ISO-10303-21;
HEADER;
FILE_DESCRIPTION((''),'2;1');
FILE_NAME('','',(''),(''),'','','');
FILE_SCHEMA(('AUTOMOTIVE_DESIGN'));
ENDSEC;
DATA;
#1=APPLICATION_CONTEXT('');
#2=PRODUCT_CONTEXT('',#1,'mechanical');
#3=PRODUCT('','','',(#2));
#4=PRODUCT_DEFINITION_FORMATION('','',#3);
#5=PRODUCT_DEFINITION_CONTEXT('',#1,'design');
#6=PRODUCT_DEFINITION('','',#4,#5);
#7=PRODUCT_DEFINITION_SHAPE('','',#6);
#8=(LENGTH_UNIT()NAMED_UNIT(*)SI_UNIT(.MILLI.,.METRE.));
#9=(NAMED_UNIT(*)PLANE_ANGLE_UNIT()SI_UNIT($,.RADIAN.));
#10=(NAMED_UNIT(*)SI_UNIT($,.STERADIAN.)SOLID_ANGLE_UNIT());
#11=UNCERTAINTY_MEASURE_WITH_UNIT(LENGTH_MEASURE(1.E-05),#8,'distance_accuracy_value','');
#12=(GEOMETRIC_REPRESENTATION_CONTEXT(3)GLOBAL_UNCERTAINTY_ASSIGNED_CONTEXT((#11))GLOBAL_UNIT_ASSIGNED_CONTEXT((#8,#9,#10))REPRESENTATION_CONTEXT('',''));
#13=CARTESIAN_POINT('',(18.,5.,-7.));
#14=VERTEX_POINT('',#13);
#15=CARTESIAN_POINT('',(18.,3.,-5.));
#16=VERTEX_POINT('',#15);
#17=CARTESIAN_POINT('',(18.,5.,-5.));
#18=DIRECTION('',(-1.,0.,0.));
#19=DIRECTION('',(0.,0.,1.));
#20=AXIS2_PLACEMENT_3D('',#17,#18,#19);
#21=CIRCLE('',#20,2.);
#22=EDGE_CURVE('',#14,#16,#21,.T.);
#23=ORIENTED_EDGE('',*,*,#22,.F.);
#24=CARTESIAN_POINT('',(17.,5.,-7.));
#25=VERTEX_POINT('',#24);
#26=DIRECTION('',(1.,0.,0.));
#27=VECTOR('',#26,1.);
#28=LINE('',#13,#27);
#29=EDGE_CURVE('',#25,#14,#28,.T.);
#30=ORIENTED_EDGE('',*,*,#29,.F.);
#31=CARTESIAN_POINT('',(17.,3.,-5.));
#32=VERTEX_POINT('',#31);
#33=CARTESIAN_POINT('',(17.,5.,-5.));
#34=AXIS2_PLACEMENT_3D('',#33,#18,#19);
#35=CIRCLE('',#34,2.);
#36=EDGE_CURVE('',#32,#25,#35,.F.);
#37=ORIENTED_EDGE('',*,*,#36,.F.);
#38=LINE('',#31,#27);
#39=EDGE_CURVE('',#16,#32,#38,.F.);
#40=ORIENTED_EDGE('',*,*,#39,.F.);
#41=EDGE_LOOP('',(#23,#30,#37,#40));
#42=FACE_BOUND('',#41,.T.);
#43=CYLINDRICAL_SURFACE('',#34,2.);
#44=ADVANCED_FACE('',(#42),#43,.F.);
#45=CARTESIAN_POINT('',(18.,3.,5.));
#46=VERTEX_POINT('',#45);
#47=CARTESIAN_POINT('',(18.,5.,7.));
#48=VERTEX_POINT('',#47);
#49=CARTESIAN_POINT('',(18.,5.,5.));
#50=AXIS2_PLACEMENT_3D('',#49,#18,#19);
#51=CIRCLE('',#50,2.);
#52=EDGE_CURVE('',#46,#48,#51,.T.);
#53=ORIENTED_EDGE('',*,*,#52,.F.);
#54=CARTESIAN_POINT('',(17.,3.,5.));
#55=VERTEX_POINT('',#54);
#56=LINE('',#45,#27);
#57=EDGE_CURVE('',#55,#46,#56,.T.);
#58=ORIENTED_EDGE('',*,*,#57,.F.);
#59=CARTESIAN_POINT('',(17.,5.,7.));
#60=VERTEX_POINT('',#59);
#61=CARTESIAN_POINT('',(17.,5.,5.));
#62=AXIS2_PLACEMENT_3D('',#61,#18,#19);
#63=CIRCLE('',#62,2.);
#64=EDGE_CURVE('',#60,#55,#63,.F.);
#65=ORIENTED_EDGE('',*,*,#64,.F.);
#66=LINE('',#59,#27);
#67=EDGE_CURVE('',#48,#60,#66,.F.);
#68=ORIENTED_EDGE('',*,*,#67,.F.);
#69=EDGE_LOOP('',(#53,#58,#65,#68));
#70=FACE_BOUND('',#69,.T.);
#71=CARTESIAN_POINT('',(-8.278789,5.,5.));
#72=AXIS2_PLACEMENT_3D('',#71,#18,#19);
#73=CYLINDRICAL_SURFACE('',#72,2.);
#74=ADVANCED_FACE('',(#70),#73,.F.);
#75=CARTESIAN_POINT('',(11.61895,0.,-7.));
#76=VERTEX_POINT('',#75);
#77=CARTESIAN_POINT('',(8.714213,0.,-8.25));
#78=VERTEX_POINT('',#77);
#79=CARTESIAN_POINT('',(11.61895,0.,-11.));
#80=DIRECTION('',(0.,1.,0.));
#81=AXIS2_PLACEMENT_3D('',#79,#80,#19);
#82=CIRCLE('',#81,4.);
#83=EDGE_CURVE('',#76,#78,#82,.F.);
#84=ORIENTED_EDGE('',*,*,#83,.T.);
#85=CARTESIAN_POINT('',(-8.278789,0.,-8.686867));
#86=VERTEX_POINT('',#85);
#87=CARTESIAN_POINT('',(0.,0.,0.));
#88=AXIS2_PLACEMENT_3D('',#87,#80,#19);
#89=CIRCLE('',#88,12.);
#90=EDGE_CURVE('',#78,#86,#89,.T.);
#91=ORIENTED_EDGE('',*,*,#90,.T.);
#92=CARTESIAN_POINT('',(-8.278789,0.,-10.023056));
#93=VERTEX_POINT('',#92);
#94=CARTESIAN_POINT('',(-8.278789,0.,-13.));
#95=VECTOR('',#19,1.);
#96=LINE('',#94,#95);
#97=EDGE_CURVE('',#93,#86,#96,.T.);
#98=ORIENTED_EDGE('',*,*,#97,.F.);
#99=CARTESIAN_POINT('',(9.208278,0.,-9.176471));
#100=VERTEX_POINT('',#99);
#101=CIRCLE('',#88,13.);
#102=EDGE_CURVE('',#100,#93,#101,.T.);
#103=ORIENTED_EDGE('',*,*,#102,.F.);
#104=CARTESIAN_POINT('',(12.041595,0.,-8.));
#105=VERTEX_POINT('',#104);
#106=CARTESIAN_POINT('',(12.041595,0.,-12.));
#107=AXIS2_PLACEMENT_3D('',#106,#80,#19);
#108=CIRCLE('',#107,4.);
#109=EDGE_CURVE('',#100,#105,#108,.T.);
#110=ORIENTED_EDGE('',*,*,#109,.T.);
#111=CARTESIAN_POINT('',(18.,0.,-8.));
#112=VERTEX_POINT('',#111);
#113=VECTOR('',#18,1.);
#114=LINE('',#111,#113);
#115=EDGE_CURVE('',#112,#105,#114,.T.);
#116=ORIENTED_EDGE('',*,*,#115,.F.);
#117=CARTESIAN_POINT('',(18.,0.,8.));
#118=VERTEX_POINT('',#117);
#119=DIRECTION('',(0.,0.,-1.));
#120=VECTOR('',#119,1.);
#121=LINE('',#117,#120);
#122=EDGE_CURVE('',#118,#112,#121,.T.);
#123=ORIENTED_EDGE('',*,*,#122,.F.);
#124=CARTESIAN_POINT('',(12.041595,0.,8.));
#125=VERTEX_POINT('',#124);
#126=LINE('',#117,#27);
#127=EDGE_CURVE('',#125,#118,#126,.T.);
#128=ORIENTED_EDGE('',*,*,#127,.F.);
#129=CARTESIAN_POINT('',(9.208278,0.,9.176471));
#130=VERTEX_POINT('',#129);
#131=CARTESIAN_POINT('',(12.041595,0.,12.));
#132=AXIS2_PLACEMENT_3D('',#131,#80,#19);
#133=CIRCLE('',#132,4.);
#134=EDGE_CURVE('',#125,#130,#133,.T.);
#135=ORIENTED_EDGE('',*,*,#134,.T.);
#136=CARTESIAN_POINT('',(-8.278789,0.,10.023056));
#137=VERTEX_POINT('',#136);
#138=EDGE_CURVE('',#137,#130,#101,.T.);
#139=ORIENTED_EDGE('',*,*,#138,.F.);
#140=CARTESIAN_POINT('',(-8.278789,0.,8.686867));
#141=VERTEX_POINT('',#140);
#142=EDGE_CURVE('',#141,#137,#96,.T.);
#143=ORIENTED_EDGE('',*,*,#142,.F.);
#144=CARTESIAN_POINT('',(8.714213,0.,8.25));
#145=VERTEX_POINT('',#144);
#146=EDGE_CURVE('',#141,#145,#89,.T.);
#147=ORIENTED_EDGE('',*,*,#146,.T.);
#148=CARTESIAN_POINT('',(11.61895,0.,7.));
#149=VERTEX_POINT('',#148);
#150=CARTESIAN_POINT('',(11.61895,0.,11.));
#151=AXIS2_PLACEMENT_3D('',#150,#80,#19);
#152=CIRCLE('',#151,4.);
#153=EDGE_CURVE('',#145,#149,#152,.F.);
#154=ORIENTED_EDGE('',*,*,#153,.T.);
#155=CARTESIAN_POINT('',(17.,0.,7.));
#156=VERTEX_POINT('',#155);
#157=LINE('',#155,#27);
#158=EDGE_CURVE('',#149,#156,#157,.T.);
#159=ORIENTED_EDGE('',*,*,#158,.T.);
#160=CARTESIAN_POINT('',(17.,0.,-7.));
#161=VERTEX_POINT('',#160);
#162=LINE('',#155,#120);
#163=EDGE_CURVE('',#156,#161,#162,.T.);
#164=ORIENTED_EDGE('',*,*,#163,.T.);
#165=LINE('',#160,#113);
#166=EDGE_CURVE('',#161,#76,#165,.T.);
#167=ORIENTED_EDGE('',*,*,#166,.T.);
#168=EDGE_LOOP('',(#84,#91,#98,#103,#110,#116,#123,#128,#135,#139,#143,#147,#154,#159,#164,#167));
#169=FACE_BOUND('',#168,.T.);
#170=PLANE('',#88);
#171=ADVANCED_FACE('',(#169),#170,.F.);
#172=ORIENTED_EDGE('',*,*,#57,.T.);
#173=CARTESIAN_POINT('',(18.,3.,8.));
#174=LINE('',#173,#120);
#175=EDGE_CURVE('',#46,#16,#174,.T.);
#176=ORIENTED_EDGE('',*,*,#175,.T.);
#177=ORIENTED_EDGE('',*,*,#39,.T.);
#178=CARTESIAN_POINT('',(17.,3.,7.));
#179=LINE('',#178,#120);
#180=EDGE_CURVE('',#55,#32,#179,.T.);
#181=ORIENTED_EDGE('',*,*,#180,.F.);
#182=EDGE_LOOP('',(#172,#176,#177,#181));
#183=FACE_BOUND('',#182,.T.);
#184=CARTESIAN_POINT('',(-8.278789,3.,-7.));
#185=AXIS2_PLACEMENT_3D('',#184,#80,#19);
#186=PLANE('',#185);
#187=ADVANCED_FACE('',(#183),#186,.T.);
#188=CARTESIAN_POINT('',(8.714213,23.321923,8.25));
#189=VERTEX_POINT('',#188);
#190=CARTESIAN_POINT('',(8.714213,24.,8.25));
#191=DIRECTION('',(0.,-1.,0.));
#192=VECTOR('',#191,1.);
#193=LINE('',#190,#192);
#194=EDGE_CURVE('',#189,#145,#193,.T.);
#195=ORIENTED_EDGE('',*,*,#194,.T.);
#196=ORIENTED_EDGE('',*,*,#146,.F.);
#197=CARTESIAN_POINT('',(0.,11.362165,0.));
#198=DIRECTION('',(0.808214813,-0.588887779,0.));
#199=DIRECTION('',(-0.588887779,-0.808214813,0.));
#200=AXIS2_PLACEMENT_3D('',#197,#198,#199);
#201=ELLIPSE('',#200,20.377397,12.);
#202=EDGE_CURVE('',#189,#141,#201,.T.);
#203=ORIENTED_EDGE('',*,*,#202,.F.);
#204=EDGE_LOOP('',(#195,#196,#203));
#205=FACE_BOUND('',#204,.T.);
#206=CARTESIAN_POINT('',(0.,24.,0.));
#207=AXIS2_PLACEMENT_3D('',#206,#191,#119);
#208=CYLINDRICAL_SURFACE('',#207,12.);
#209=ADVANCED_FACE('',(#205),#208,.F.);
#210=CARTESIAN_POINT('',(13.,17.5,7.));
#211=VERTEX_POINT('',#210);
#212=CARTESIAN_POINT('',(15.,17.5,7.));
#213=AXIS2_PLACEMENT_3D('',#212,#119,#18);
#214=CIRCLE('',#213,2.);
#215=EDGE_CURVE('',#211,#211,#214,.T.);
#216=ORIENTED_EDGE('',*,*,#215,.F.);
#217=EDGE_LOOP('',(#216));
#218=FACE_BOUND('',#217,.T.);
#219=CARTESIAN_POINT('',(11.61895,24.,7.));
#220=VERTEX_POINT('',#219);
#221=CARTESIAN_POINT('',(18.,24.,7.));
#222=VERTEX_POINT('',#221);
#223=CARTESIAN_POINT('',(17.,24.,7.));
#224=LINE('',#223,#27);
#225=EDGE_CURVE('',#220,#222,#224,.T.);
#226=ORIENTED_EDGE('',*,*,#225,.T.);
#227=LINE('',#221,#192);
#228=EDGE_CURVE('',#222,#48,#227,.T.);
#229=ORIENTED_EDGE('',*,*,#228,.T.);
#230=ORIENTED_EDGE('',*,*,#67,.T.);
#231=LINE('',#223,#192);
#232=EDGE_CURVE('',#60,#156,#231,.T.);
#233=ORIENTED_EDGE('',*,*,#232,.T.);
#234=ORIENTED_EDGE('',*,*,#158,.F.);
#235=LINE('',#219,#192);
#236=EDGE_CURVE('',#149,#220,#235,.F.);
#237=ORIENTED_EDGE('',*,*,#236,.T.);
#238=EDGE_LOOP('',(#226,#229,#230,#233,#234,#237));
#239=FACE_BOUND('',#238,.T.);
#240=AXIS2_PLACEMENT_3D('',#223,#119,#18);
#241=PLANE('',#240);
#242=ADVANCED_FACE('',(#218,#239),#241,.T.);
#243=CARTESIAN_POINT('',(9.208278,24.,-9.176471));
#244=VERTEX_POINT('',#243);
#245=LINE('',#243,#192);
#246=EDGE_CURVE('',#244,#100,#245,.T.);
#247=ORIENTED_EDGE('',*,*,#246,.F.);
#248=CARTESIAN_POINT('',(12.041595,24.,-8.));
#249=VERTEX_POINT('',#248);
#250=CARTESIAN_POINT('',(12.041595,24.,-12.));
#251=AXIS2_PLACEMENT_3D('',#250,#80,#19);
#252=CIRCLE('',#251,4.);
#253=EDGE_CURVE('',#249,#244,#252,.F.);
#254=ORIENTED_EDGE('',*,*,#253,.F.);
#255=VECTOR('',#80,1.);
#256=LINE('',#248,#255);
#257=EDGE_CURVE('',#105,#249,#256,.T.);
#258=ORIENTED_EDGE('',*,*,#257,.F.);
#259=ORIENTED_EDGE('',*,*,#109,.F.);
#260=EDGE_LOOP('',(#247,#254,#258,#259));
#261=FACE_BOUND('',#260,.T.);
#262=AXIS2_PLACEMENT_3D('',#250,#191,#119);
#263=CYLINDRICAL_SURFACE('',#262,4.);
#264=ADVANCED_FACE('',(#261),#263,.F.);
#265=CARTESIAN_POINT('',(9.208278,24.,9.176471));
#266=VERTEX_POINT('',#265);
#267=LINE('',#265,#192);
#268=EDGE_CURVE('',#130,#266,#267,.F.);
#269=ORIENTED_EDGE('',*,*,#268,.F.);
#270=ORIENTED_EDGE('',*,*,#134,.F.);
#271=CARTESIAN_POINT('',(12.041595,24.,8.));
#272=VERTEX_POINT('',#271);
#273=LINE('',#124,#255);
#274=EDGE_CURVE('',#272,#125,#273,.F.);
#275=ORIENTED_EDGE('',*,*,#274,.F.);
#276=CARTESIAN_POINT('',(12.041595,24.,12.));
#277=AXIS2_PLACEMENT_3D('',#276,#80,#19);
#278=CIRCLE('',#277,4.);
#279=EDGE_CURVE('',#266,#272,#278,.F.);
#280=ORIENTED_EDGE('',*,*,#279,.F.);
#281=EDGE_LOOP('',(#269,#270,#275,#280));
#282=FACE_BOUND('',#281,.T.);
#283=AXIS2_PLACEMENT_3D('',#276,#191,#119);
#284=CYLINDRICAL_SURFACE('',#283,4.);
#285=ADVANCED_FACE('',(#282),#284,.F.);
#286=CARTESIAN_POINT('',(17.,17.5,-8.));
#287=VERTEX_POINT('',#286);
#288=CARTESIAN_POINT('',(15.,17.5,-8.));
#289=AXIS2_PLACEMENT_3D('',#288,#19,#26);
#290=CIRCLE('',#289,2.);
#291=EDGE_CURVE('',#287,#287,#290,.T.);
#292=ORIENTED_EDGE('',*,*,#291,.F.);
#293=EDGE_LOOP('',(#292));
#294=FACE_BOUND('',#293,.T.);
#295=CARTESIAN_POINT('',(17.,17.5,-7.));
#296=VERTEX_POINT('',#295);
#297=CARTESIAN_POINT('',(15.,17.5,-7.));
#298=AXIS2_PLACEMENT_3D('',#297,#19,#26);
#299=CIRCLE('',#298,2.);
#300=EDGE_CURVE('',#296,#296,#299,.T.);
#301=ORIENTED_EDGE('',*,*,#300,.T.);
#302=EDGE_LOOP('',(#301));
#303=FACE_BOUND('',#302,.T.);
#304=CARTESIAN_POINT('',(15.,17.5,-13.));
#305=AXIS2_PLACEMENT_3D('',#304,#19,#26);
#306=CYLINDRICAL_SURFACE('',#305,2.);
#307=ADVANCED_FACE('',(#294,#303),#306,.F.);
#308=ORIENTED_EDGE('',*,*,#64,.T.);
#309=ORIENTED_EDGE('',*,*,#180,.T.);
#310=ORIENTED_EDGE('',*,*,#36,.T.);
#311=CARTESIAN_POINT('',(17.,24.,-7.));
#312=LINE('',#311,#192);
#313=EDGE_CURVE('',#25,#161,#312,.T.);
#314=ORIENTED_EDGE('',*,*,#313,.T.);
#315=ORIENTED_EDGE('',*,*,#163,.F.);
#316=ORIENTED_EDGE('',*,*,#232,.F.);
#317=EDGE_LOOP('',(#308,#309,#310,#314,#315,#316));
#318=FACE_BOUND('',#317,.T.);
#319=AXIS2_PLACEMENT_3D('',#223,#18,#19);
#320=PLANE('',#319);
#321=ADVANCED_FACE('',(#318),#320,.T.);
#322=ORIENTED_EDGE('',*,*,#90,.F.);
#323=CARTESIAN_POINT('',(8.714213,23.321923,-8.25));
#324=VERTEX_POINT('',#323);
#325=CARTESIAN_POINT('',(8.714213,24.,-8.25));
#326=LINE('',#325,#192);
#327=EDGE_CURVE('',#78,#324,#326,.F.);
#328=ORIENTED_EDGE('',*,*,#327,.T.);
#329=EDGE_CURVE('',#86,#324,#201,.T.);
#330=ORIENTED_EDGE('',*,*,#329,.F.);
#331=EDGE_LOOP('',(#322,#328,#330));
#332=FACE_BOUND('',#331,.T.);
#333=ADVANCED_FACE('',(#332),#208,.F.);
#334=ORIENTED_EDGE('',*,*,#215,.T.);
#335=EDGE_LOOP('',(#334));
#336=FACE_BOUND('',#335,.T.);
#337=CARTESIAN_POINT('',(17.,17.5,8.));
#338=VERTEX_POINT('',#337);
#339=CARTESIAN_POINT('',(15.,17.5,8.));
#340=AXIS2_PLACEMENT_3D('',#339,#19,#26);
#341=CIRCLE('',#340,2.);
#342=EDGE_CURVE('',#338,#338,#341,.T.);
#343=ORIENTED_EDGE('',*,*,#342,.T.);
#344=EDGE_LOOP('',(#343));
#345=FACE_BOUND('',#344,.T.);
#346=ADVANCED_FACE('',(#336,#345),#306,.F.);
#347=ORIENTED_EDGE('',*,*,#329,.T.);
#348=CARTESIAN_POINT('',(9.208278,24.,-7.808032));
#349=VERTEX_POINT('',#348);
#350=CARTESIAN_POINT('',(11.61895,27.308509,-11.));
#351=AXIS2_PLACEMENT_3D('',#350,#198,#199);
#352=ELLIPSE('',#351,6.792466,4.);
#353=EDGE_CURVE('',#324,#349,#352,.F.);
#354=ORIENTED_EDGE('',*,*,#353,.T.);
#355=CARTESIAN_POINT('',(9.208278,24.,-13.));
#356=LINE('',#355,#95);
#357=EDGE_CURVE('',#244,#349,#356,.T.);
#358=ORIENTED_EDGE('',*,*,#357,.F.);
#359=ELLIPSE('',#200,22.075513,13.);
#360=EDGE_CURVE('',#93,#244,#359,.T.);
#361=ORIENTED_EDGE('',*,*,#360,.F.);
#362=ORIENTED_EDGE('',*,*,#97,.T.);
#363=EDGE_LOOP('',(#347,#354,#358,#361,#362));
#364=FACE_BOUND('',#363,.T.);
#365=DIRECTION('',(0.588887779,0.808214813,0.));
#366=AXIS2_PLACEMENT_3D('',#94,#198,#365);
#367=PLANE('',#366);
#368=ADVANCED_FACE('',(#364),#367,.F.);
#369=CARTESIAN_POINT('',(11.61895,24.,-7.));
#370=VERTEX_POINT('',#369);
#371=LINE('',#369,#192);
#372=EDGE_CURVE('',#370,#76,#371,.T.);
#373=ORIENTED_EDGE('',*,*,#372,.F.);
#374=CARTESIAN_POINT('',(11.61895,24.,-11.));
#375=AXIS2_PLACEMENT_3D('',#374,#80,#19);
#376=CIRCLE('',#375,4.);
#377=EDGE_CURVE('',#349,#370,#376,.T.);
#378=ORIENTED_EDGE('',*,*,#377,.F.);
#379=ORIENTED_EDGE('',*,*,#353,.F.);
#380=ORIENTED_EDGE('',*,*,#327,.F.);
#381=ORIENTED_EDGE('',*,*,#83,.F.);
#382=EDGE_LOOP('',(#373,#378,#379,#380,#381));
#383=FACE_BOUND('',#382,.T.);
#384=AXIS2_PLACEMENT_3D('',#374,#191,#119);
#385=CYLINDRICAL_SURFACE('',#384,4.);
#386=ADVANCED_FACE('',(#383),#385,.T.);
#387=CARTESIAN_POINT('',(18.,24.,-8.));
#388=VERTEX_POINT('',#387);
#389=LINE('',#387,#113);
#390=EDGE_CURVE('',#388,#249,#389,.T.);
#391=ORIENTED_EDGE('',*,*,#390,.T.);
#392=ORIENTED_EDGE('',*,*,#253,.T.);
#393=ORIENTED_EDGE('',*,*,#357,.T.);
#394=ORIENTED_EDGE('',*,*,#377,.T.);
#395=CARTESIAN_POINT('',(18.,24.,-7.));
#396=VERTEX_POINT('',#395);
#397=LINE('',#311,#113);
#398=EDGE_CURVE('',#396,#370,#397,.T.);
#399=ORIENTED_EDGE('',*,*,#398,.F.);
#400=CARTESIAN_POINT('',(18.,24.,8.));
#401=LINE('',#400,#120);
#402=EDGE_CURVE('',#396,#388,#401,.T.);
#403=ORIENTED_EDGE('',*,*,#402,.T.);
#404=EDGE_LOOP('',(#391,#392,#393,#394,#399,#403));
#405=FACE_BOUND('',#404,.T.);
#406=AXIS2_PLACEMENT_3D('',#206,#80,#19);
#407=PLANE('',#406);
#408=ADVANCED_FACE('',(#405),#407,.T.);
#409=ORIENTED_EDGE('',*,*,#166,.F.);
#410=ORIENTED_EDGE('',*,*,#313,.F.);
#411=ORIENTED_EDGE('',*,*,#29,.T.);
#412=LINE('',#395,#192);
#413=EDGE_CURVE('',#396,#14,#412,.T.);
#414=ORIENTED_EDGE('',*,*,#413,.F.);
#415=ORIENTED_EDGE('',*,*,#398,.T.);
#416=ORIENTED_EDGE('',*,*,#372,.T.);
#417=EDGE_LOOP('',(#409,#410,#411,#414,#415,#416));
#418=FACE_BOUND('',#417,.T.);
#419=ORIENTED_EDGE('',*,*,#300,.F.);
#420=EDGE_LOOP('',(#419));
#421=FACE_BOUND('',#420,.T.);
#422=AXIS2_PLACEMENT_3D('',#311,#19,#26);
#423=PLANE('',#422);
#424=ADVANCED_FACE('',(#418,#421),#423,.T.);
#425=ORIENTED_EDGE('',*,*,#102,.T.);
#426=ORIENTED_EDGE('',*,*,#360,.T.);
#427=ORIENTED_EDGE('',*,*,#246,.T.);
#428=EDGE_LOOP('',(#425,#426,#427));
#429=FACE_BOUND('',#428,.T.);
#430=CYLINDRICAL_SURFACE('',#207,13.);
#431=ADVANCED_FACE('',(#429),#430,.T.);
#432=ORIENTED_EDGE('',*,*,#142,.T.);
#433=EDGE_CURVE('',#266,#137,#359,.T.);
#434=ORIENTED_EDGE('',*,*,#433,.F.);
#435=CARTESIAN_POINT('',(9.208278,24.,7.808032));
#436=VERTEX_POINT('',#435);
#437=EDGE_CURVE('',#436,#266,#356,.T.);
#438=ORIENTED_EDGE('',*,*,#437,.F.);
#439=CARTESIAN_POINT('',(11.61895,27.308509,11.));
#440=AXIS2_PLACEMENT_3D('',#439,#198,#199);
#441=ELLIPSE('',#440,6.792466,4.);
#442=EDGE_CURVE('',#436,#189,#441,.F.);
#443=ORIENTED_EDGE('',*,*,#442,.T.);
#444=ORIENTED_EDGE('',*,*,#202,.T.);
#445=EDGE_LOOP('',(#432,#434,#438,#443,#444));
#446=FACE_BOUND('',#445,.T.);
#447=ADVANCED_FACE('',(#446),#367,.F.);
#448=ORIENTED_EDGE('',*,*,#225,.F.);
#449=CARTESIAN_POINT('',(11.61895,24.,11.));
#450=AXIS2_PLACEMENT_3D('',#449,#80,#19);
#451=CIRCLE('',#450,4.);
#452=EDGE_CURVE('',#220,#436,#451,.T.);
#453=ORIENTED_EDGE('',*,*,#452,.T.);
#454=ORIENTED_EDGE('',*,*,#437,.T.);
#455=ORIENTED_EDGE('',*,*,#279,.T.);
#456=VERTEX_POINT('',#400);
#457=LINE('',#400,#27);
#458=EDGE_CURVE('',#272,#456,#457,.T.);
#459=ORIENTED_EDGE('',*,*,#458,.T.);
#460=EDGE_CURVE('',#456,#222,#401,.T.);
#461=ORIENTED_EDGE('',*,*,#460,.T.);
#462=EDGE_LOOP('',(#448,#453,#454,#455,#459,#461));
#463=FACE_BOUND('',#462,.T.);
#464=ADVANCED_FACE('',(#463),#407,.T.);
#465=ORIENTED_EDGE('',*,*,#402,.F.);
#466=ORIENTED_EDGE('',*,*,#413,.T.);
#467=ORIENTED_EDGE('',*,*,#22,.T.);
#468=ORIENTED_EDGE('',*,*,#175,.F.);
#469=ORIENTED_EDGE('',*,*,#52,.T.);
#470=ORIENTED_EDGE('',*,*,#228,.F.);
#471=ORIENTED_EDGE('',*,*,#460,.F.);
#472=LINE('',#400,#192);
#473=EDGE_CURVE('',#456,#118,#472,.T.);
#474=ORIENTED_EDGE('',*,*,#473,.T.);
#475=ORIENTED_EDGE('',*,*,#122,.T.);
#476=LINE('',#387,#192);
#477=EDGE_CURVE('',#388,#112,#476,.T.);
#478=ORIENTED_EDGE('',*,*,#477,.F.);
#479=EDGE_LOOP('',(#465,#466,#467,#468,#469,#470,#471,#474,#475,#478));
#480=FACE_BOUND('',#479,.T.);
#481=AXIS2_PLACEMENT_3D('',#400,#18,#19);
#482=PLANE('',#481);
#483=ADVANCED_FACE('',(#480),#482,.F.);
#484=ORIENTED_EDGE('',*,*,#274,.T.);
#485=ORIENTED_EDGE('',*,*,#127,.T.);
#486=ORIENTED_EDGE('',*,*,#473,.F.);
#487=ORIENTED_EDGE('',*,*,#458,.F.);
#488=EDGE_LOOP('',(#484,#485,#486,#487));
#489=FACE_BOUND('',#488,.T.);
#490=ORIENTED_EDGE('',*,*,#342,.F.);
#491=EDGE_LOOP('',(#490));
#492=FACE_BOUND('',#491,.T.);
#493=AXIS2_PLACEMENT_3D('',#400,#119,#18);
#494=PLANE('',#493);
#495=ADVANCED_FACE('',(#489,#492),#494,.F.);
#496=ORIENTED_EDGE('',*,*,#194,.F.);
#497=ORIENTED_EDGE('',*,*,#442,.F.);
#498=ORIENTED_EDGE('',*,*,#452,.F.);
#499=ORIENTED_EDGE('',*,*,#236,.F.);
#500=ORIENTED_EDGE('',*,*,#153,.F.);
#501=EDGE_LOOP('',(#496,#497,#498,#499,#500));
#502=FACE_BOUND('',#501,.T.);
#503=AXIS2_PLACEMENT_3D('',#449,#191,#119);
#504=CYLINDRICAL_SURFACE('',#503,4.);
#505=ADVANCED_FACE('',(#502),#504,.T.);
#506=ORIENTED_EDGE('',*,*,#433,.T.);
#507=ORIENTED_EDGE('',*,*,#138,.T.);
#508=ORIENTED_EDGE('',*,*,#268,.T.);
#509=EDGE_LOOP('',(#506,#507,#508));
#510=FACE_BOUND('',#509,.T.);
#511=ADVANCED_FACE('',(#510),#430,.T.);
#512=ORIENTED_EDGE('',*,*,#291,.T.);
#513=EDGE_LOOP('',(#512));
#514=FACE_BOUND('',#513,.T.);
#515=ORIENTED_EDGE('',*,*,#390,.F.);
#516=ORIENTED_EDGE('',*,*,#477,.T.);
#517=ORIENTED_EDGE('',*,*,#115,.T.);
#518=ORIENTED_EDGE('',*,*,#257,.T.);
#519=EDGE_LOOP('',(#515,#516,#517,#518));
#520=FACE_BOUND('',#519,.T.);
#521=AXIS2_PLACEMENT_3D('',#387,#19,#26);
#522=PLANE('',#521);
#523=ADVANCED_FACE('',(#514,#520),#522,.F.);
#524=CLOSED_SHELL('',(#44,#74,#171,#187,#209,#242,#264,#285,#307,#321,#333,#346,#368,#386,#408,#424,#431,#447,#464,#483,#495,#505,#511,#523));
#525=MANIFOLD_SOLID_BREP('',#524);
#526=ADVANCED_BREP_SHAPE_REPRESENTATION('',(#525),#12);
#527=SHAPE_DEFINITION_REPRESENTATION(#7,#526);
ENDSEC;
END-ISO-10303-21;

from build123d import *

# Parameters (mm, degrees)
BOSS_EXTRUDE1_DEPTH     = 24
FILLET1_R               = 4
CUT_EXTRUDE3_DEPTH      = 14
CUT_EXTRUDE3_DEPTH_BACK = 14
SKETCH5_R               = 2
CUT_EXTRUDE4_DEPTH      = 6
CUT_EXTRUDE4_DEPTH_BACK = 22
SKETCH7_W               = 14
SKETCH7_H               = 22.802557385
CUT_EXTRUDE5_DEPTH      = 1
CUT_EXTRUDE5_DEPTH_BACK = 27.278788925
FILLET2_R               = 2


with BuildPart() as part:
    # Sketch1 → Boss-Extrude1 (new body)
    with BuildSketch(Plane(origin=(0, 0, 0), x_dir=(1, 0, 0), z_dir=(0, 1, 0))):
        with BuildLine():
            Line((18, -8), (10.246950766, -8))
            ThreePointArc((10.246950766, -8), (-13, 0), (10.246950766, 8))
            Line((10.246950766, 8), (18, 8))
            Line((18, 8), (18, -8))
        make_face()
        with BuildLine():
            Line((17, -7), (9.746794345, -7))
            ThreePointArc((9.746794345, -7), (-12, 0), (9.746794345, 7))
            Line((9.746794345, 7), (17, 7))
            Line((17, 7), (17, -7))
        make_face(mode=Mode.SUBTRACT)
    extrude(amount=BOSS_EXTRUDE1_DEPTH)

    # Fillet1
    fillet1_edges = [part.edges().sort_by_distance(p)[0] for p in [
        (9.746794345, 12, -7),
        (9.746794345, 12, 7),
        (10.246950766, 12, 8),
        (10.246950766, 12, -8),
    ]]
    fillet(fillet1_edges, radius=FILLET1_R)

    # Sketch4 → Cut-Extrude3 (cut, two sides)
    with BuildSketch(Plane.XY) as cut_extrude3_sk:
        Polygon((-13, 0), (-8.278788925, 0), (9.208278207, 24), (-13, 24), align=None)
    extrude(amount=CUT_EXTRUDE3_DEPTH, mode=Mode.SUBTRACT)
    extrude(cut_extrude3_sk.sketch, amount=-CUT_EXTRUDE3_DEPTH_BACK, mode=Mode.SUBTRACT)

    # Sketch5 → Cut-Extrude4 (cut, two sides)
    with BuildSketch(Plane.XY.offset(8)) as cut_extrude4_sk:
        with Locations((15, 17.5)):
            Circle(SKETCH5_R)
    extrude(amount=CUT_EXTRUDE4_DEPTH, mode=Mode.SUBTRACT)
    extrude(cut_extrude4_sk.sketch, amount=-CUT_EXTRUDE4_DEPTH_BACK, mode=Mode.SUBTRACT)

    # Sketch7 → Cut-Extrude5 (cut, two sides)
    with BuildSketch(Plane(origin=(18, 0, 0), x_dir=(0, 0, -1), z_dir=(1, 0, 0))) as cut_extrude5_sk:
        with Locations((0, 14.401278693)):
            Rectangle(SKETCH7_W, SKETCH7_H)
    extrude(amount=CUT_EXTRUDE5_DEPTH, mode=Mode.SUBTRACT)
    extrude(cut_extrude5_sk.sketch, amount=-CUT_EXTRUDE5_DEPTH_BACK, mode=Mode.SUBTRACT)

    # Fillet2
    fillet2_edges = [part.edges().sort_by_distance(p)[0] for p in [
        (17.5, 3, -7),
        (17.5, 3, 7),
    ]]
    fillet(fillet2_edges, radius=FILLET2_R)


solid = part.part
